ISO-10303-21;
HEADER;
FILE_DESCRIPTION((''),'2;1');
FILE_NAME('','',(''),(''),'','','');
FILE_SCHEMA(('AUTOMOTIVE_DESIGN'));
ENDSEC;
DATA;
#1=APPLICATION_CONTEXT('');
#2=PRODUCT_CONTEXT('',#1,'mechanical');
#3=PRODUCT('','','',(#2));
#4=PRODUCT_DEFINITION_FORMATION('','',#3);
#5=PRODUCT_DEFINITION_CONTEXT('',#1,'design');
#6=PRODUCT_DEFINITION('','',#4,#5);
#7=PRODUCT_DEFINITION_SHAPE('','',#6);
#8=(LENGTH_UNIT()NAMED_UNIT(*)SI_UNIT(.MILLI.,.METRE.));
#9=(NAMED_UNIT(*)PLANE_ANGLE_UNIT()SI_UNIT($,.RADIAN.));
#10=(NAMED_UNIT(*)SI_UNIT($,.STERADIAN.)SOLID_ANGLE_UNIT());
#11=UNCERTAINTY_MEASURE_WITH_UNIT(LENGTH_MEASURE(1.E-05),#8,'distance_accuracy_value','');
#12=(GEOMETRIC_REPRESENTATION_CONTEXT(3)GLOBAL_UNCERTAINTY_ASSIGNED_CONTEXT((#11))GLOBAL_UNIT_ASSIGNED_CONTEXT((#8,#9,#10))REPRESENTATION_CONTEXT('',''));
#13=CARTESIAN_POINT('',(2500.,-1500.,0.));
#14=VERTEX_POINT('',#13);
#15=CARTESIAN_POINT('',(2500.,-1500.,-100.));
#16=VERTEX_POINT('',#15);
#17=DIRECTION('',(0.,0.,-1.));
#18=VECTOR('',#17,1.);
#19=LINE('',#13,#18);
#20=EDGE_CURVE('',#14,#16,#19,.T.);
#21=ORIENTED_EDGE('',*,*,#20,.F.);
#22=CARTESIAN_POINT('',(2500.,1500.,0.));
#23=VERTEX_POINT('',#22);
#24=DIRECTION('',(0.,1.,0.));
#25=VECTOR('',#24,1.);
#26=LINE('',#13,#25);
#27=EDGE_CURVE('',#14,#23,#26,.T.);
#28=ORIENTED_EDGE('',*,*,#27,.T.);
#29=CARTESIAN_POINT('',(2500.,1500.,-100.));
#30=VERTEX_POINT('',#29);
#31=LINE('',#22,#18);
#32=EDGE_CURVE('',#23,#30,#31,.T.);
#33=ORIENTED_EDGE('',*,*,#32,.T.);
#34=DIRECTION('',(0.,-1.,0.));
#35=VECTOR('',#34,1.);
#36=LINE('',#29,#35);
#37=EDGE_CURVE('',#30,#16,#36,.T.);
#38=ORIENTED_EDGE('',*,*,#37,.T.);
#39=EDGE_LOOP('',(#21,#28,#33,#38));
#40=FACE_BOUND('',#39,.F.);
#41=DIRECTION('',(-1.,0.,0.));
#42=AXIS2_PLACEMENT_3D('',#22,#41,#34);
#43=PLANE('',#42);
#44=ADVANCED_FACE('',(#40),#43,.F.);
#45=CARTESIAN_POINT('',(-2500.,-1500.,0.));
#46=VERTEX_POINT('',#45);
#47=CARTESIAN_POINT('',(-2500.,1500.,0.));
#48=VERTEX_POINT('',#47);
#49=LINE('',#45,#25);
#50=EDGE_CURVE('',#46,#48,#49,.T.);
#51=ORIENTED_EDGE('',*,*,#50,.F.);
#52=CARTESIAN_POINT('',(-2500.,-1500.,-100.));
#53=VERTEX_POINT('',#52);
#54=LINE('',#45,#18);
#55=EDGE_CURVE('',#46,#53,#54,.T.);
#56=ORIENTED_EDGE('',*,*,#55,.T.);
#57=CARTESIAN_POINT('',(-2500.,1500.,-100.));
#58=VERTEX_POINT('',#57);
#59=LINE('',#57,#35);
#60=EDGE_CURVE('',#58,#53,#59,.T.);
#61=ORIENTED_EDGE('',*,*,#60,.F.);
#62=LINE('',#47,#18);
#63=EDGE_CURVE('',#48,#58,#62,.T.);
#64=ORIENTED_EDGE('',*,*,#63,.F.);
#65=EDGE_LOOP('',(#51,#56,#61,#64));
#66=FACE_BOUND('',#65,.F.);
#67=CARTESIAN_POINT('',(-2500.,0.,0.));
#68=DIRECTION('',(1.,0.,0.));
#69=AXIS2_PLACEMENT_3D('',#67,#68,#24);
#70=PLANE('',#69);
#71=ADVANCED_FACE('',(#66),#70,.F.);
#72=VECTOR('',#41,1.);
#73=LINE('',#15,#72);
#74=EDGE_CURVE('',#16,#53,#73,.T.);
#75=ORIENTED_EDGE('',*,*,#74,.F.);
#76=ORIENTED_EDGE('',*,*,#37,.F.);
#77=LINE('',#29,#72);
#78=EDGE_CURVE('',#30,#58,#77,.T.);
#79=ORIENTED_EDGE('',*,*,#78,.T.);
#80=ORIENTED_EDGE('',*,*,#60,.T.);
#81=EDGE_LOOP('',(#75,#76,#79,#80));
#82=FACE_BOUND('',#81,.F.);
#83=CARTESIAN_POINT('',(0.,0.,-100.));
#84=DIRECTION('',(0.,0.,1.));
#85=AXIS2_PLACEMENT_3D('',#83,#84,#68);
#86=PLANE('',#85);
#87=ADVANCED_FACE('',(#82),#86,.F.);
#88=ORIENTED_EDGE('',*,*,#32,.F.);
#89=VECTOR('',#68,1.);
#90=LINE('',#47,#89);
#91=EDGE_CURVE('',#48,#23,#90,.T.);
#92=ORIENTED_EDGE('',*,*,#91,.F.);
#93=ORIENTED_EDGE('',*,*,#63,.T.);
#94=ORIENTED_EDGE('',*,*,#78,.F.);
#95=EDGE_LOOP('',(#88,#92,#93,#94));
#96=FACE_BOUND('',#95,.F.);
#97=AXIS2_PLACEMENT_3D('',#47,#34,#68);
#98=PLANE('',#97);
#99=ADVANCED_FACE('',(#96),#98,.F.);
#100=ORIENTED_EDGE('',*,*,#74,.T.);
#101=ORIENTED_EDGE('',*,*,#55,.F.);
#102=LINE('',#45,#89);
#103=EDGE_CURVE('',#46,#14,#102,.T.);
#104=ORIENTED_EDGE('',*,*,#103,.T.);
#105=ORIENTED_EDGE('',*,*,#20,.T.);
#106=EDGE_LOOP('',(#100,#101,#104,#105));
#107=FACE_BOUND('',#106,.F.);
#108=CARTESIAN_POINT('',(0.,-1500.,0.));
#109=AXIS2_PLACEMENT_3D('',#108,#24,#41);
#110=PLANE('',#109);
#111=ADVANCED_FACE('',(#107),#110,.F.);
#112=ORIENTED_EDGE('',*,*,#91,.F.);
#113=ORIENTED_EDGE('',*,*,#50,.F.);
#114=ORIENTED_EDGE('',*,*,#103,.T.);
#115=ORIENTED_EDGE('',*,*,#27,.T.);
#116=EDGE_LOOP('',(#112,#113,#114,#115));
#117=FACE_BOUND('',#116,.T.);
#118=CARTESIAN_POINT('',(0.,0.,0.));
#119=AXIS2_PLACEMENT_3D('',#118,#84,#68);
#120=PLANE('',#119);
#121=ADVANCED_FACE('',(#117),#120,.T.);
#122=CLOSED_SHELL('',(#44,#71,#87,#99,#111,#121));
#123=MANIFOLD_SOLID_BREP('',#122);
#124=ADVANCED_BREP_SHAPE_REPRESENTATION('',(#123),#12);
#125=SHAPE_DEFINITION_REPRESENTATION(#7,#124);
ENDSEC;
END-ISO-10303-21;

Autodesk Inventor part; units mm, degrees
ref_plane "YZ Plane" through (0, 0, 0) normal (1, 0, 0) x (0, 1, 0)
ref_plane "XZ Plane" through (0, 0, 0) normal (0, 1, 0) x (-1, 0, 0)
ref_plane "XY Plane" through (0, 0, 0) normal (0, 0, 1) x (1, 0, 0)
sketch "Skizze1" plane through (0, 0, 0) normal (0, 0, 1) x (1, 0, 0)
  line L0 (-2500, 1500) -> (2500, 1500)
  line L1 (2500, 1500) -> (2500, -1500)
  line L2 (2500, -1500) -> (-2500, -1500)
  line L3 (-2500, -1500) -> (-2500, 1500)
  line L4 (-3500, 0) -> (3500, 0) projected
  line L5 (0, -2100) -> (0, 2100) projected
  point P0 (0, 0)
  dimension "d0" = 3000
  dimension "d1" = 5000
extrude "Extrusion1" add sketch "Skizze1" against normal blind 100
properties part number "Grundriss" material "Beton"
